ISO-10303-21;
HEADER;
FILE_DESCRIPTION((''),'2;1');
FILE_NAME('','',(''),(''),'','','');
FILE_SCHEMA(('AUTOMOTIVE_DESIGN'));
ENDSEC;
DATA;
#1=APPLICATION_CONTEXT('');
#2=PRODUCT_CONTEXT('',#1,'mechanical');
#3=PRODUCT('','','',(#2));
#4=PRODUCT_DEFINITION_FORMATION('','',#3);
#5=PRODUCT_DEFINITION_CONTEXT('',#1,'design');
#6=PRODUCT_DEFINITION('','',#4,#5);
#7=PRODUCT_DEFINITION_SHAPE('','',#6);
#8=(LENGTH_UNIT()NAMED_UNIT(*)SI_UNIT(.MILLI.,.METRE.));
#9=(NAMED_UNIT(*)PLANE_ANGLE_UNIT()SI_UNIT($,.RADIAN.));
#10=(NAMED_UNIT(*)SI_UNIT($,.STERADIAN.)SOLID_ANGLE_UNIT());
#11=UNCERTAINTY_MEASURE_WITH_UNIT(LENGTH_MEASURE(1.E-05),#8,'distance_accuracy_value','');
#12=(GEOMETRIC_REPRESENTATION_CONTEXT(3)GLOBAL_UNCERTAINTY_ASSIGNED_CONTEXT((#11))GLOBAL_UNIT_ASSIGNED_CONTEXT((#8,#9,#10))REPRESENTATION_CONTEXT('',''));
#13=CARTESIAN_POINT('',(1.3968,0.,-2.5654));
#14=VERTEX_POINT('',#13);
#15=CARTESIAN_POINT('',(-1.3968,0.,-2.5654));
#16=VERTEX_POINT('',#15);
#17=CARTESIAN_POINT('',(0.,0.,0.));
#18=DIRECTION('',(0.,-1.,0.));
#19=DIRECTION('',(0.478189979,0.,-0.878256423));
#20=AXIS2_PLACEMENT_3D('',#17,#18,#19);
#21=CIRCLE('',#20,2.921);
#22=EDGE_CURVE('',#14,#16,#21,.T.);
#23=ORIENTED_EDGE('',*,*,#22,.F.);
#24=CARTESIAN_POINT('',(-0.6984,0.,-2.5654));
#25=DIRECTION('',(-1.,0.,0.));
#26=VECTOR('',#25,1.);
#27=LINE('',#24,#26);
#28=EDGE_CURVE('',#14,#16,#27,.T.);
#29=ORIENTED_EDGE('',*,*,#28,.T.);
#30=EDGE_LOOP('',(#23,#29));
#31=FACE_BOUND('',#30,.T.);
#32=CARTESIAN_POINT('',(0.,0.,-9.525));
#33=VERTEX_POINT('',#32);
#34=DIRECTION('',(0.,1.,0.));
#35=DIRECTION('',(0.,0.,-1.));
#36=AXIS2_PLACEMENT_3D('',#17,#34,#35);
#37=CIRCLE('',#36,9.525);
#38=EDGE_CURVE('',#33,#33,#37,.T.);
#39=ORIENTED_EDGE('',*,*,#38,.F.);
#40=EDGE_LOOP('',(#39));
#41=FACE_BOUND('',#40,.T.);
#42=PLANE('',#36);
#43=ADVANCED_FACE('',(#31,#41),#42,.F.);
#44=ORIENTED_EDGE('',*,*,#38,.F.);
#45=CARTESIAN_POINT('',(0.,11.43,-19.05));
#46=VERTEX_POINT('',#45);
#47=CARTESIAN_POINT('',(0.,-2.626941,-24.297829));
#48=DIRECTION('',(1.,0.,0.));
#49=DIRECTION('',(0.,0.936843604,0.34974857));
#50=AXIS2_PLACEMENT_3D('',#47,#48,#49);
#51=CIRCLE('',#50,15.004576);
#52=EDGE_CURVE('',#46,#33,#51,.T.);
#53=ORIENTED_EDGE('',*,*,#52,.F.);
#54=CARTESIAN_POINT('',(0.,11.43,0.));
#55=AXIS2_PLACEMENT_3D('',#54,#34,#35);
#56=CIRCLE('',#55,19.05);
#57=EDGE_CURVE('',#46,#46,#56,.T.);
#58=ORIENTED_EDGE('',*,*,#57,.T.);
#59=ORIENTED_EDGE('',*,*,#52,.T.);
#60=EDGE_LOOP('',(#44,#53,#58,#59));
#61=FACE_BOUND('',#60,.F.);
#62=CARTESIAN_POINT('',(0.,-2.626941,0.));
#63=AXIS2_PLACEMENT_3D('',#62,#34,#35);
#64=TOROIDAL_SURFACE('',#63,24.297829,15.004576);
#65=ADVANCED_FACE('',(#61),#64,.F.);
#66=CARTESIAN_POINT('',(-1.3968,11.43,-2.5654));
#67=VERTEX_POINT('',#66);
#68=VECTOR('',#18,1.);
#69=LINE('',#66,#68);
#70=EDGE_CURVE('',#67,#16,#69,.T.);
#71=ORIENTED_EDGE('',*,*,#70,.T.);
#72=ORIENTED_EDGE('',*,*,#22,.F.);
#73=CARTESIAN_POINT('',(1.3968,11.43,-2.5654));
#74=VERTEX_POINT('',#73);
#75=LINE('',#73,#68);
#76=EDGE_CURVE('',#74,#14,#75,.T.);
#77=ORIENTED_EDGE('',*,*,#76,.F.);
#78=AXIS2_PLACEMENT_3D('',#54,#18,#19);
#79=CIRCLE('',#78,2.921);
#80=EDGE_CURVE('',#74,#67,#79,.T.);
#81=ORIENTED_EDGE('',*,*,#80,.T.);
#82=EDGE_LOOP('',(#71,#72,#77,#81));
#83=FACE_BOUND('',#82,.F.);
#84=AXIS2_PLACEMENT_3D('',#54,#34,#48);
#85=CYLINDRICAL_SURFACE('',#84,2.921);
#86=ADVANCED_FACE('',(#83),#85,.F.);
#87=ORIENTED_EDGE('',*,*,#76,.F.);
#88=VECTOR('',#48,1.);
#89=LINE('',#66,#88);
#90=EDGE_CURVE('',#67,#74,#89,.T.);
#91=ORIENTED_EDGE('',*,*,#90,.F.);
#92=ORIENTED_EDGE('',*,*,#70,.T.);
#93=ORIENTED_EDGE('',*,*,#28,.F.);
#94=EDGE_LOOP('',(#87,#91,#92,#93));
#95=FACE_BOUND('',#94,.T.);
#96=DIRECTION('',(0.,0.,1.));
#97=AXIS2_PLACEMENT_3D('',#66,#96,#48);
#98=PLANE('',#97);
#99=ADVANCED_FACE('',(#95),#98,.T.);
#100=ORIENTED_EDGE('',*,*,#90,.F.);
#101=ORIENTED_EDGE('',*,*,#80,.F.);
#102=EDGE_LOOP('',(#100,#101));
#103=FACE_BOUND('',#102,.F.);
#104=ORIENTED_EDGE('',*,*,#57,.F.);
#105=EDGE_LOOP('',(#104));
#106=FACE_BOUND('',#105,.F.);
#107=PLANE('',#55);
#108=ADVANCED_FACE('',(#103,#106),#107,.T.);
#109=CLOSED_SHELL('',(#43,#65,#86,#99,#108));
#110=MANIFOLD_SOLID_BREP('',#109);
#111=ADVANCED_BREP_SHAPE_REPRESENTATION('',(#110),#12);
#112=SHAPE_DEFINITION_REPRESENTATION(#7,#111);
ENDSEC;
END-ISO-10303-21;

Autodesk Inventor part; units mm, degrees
ref_plane "YZ Plane" through (0, 0, 0) normal (1, 0, 0) x (0, 1, 0)
ref_plane "XZ Plane" through (0, 0, 0) normal (0, 1, 0) x (-1, 0, 0)
ref_plane "XY Plane" through (0, 0, 0) normal (0, 0, 1) x (1, 0, 0)
sketch "Sketch4" plane through (0, 0, 0) normal (1, 0, 0) x (0, 1, 0)
  line L0 (0, 0) -> (0, -9.525)
  line L1 (0, 0) -> (11.43, 0)
  line L2 (11.43, 0) -> (11.43, -19.05)
  arc A0 (11.43, -19.05) -> (0, -9.525) centre (-2.6269, -24.2978) ccw
  dimension "d18" = 9.525
  dimension "d19" = 11.43
  dimension "d20" = 19.05
revolve "Revolution1" add sketch "Sketch4" angle 360 about axis through (0, 0, 0) along (0, 1, 0)
sketch "Sketch5" plane through (0, 11.43, 0) normal (0, 1, 0) x (1, 0, 0)
  circle A0 centre (0, 0) radius 2.921
  line L0 (-1.3968, 2.5654) -> (1.3968, 2.5654)
  dimension "d22" = 5.842
  dimension "d23" = 2.5654
extrude "Extrusion1" cut sketch "Sketch5" against normal through all contours A0 L0 picked at (-0.1728, -0.6264)
properties part number "spool"
